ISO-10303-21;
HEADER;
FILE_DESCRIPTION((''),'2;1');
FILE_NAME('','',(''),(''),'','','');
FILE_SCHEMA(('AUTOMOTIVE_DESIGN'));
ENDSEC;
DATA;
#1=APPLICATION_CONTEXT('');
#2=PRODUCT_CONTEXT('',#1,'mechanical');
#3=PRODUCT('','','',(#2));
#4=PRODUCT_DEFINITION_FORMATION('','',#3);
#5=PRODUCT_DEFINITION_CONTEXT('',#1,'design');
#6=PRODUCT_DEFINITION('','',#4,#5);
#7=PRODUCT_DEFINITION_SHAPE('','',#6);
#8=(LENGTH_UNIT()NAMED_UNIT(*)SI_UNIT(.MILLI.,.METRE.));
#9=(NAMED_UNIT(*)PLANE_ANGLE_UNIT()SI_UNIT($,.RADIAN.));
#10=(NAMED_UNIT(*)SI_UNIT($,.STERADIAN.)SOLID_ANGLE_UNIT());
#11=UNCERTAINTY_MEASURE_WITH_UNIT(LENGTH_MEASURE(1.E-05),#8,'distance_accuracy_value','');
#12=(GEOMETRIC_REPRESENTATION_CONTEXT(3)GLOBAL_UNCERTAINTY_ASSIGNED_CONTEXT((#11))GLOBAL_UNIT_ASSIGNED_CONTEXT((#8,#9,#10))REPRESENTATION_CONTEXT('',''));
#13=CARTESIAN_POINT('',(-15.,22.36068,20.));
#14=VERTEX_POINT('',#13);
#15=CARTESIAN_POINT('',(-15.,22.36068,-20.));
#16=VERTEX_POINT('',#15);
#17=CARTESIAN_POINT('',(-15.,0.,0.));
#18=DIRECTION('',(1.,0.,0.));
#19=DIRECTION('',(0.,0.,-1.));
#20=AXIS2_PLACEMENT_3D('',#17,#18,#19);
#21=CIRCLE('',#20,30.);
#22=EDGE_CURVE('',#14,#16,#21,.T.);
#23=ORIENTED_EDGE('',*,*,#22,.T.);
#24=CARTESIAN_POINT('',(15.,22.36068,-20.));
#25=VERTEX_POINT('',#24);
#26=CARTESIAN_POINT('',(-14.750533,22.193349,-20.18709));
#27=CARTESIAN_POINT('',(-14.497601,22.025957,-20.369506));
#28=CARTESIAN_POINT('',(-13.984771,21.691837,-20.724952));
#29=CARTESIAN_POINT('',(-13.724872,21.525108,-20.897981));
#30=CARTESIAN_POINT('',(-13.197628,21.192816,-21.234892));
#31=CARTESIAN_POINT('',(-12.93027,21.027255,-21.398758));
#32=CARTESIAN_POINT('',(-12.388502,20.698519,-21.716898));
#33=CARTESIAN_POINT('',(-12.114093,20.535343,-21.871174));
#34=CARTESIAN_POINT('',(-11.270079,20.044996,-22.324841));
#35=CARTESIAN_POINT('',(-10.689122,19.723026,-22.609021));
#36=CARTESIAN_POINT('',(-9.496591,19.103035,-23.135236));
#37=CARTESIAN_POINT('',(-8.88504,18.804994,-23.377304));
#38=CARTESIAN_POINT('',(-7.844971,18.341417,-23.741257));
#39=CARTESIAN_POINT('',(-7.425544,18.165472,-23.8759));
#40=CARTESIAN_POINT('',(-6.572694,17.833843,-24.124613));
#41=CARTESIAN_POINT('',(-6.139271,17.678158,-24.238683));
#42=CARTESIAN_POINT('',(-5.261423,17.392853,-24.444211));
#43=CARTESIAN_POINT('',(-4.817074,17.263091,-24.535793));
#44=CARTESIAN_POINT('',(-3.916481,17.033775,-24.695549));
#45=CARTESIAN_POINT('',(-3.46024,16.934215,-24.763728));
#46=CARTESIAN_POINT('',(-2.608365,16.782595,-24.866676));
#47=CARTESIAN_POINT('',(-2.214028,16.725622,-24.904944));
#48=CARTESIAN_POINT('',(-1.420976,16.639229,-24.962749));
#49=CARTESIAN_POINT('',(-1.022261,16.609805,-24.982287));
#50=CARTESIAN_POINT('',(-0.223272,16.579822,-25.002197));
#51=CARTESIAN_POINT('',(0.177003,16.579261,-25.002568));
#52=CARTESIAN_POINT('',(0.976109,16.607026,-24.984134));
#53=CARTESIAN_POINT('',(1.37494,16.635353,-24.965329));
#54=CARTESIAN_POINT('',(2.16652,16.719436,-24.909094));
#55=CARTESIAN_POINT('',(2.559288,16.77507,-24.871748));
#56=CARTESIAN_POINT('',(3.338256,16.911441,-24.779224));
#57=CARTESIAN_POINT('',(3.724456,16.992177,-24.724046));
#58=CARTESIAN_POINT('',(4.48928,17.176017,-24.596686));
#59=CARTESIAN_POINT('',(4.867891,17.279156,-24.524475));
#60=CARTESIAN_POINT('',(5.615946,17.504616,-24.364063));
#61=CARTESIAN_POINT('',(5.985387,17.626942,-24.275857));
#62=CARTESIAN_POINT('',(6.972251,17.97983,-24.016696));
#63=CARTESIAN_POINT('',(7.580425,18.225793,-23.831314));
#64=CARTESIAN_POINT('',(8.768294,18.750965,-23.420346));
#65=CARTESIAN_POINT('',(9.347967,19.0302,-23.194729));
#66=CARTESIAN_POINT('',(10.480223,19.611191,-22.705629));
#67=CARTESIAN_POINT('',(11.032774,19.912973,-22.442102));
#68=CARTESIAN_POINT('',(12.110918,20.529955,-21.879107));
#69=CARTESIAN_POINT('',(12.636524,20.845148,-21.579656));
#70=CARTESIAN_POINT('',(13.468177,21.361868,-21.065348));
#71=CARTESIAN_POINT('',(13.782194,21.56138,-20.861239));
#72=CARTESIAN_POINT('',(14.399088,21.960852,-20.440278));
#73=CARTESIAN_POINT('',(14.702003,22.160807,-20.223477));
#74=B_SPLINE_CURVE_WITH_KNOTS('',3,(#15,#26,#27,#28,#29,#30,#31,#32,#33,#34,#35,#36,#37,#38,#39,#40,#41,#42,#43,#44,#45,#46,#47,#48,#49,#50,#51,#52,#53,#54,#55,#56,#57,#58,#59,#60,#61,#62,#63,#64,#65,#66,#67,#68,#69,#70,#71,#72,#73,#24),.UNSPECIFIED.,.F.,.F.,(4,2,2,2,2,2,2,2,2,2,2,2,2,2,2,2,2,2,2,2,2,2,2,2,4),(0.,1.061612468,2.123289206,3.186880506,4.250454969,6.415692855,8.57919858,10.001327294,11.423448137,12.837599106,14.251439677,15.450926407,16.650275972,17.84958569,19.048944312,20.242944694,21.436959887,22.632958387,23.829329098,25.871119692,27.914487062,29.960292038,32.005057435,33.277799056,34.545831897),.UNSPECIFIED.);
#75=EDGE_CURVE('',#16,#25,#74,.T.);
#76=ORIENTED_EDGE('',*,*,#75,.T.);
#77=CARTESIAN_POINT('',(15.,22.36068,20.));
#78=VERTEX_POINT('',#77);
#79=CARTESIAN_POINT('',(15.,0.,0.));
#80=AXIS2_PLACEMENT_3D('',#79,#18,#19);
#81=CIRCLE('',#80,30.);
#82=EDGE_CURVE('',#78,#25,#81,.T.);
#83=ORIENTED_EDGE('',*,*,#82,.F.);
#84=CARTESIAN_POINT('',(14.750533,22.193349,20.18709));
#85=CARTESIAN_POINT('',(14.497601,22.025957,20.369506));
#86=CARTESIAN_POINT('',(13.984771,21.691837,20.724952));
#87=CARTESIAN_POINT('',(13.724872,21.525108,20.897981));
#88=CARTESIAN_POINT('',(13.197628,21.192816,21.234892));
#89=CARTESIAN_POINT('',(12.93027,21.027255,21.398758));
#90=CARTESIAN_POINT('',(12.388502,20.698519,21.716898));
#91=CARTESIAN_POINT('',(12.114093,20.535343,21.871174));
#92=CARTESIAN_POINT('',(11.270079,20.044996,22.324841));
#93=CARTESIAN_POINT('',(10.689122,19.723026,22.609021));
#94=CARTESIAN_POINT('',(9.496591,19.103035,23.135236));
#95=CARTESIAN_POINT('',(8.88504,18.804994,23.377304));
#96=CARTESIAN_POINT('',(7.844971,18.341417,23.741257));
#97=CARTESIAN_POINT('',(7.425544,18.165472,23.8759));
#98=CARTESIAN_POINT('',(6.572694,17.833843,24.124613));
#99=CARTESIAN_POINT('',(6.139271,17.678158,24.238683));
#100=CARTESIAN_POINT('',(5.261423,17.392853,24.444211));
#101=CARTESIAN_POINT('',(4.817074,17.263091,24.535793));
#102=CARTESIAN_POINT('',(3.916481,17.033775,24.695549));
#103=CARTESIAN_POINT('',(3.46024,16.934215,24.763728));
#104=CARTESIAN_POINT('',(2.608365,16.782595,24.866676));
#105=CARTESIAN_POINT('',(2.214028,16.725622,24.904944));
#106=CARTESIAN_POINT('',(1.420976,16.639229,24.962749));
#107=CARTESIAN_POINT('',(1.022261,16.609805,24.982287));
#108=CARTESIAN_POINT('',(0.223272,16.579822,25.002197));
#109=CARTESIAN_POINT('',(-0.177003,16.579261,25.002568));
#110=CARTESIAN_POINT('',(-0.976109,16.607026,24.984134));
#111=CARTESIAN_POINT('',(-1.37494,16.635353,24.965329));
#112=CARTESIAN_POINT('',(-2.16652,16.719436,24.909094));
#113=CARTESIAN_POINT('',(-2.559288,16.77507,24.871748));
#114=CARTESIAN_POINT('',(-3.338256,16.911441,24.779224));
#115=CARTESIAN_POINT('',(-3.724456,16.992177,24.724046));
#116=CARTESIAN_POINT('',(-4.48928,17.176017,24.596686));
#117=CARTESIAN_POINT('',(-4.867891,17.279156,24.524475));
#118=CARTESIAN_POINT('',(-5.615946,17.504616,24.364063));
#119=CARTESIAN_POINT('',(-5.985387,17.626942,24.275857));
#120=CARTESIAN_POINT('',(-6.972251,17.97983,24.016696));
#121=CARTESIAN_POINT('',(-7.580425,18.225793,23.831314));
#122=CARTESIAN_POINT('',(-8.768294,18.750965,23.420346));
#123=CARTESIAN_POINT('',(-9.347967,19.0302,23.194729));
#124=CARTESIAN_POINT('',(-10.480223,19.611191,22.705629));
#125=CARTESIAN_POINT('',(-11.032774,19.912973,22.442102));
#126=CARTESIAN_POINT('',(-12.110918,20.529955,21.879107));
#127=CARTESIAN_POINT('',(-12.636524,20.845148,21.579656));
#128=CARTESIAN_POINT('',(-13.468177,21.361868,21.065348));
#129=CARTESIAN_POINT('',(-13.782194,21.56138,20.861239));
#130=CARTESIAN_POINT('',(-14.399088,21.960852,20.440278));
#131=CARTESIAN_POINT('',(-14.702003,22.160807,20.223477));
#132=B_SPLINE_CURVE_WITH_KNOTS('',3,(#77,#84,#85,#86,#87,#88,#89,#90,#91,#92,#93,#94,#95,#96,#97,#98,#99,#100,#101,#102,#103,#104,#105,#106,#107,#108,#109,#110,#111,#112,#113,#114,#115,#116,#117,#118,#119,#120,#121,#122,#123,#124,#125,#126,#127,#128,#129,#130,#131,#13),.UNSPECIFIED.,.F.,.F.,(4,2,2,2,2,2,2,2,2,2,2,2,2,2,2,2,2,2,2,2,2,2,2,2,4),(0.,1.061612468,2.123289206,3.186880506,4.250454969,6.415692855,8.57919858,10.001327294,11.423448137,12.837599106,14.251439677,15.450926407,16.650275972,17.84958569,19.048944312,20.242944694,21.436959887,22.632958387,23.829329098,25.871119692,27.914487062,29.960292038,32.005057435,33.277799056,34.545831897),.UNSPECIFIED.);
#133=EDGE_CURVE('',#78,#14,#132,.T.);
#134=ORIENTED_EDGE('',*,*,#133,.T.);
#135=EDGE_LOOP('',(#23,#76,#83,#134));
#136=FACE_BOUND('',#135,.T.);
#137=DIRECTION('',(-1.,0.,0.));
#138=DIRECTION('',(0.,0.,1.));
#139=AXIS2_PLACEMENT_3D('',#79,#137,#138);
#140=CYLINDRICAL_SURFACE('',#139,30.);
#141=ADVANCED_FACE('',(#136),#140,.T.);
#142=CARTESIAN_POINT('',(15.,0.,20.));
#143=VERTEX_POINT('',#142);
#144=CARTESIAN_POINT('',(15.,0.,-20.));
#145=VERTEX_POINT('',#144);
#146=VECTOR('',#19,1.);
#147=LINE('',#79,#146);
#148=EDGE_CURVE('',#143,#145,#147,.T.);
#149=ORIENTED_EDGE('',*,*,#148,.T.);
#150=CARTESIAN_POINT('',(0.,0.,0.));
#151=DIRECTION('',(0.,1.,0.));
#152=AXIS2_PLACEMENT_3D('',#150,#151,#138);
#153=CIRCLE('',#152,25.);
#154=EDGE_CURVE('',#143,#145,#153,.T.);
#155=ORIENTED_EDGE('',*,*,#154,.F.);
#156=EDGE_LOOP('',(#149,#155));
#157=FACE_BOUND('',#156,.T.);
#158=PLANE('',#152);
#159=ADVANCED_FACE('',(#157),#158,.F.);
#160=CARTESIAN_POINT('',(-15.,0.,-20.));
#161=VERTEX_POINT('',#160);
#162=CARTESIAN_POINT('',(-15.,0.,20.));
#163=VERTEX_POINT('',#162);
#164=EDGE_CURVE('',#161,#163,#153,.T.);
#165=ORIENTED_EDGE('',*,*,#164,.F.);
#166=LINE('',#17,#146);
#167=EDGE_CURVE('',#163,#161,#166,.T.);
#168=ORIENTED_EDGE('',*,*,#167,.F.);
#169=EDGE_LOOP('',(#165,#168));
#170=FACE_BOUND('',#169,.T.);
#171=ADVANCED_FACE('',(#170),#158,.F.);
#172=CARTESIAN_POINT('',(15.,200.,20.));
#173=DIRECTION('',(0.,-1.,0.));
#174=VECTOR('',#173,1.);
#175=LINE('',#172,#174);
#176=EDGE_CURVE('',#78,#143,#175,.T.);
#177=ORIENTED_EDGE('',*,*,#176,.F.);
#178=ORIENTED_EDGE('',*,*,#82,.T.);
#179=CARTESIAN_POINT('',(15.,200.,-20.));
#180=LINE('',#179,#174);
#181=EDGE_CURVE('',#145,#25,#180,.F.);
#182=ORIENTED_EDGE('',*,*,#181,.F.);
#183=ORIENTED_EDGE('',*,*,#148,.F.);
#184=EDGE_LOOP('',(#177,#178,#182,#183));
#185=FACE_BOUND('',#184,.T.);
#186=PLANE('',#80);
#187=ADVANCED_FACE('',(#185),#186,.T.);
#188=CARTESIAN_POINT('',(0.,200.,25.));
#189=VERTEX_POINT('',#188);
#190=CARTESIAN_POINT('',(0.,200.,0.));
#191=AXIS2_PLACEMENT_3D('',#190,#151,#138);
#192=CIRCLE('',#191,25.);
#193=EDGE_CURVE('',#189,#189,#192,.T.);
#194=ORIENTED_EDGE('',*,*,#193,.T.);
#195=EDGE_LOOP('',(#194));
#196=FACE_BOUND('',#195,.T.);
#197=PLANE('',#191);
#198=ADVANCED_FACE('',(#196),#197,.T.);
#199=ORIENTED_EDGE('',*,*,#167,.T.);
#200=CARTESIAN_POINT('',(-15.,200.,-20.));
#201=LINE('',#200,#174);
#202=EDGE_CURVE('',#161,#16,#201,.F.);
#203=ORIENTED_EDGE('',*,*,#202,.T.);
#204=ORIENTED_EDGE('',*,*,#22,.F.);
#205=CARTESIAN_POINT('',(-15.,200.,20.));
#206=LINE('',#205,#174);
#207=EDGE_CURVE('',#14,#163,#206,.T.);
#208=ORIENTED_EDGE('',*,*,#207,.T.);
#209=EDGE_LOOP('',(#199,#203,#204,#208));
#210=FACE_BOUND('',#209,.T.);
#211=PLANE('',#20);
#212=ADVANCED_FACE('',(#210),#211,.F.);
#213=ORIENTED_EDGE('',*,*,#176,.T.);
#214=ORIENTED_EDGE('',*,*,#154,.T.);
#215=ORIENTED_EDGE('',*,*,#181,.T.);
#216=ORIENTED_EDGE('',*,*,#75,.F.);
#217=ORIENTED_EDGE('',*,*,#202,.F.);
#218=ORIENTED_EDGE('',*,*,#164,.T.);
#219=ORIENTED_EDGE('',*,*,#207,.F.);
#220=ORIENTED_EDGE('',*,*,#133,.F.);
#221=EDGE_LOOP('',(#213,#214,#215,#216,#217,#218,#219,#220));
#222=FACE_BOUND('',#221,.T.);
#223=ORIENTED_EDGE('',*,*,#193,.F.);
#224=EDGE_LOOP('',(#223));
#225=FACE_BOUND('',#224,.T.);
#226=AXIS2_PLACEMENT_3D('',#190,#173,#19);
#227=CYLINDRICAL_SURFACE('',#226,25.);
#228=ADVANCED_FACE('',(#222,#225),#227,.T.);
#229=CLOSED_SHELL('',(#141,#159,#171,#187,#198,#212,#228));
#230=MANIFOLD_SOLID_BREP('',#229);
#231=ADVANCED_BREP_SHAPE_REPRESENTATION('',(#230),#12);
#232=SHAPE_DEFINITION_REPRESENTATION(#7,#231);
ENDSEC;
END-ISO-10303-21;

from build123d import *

# Parameters (mm, degrees)
SKETCH1_R           = 25
BOSS_EXTRUDE1_DEPTH = 200
SKETCH9_R           = 30
BOSS_EXTRUDE4_DEPTH = 15


with BuildPart() as part:
    # Sketch1 → Boss-Extrude1 (new body)
    with BuildSketch(Plane(origin=(0, 0, 0), x_dir=(1, 0, 0), z_dir=(0, 1, 0))):
        Circle(SKETCH1_R)
    extrude(amount=BOSS_EXTRUDE1_DEPTH)

    # Sketch9 → Boss-Extrude4 (add, symmetric)
    with BuildSketch(Plane(origin=(0, 0, 0), x_dir=(0, 0, -1), z_dir=(1, 0, 0))):
        Circle(SKETCH9_R)
    extrude(amount=BOSS_EXTRUDE4_DEPTH, both=True)


solid = part.part
